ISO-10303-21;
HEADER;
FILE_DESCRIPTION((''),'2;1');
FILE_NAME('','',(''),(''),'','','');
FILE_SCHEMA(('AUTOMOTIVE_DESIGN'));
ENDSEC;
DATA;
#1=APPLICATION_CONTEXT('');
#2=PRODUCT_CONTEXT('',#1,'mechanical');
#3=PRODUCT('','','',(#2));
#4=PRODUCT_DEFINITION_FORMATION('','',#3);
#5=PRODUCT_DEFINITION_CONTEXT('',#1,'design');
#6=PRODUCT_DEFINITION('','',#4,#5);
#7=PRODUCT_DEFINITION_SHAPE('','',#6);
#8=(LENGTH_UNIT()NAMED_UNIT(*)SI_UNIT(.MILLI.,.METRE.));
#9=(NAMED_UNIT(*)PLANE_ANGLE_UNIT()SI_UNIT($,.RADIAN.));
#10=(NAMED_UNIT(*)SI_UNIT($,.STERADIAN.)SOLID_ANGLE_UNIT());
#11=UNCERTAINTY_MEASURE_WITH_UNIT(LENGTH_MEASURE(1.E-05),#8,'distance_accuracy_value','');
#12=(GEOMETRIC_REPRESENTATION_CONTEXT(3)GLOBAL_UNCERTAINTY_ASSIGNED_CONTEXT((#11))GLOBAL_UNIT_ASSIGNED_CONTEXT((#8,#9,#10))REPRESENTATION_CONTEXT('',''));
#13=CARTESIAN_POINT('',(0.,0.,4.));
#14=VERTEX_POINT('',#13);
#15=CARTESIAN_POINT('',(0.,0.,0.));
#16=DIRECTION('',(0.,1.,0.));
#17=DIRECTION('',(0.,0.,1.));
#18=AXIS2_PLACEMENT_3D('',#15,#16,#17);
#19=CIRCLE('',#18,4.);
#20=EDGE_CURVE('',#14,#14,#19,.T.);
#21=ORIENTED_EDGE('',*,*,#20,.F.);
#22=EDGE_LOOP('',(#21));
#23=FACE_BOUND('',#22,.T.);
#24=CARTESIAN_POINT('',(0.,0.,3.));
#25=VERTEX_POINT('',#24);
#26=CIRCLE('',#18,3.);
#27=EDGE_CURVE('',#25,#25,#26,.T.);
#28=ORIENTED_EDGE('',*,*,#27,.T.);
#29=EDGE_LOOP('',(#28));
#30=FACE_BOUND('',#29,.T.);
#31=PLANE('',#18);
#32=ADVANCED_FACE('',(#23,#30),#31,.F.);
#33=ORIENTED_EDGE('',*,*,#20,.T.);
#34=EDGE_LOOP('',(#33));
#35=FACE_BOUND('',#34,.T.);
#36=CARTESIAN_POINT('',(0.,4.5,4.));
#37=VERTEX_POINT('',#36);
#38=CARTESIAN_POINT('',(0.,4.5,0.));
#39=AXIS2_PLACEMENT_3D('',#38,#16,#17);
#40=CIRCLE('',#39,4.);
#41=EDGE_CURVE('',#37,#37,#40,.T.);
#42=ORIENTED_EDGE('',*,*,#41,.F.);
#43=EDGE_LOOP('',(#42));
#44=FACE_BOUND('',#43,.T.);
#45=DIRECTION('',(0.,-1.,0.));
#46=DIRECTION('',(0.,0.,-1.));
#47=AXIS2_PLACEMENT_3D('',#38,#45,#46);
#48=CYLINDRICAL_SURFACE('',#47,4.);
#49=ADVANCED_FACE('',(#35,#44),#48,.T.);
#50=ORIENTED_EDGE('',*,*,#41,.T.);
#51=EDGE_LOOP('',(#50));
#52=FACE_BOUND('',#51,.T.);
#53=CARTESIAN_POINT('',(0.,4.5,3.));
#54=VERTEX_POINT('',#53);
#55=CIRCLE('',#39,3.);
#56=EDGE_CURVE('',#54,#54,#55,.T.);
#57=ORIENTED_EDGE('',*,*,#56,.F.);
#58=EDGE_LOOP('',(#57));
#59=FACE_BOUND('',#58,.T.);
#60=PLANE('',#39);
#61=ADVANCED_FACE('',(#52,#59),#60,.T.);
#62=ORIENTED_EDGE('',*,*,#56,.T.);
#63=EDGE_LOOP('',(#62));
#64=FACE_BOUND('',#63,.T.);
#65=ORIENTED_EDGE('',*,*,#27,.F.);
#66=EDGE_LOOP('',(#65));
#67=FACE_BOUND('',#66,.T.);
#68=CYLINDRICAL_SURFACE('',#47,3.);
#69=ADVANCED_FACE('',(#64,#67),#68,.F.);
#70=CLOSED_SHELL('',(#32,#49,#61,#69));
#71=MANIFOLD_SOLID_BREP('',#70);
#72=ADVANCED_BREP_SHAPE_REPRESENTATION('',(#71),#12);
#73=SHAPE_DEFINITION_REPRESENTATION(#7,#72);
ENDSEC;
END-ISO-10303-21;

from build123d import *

# Parameters (mm, degrees)
SKETCH1_R           = 4
SKETCH1_R_2         = 3
BOSS_EXTRUDE2_DEPTH = 4.5


with BuildPart() as part:
    # Sketch1 → Boss-Extrude2 (new body)
    with BuildSketch(Plane(origin=(0, 0, 0), x_dir=(1, 0, 0), z_dir=(0, 1, 0))):
        Circle(SKETCH1_R)
        Circle(SKETCH1_R_2, mode=Mode.SUBTRACT)
    extrude(amount=BOSS_EXTRUDE2_DEPTH)


solid = part.part
